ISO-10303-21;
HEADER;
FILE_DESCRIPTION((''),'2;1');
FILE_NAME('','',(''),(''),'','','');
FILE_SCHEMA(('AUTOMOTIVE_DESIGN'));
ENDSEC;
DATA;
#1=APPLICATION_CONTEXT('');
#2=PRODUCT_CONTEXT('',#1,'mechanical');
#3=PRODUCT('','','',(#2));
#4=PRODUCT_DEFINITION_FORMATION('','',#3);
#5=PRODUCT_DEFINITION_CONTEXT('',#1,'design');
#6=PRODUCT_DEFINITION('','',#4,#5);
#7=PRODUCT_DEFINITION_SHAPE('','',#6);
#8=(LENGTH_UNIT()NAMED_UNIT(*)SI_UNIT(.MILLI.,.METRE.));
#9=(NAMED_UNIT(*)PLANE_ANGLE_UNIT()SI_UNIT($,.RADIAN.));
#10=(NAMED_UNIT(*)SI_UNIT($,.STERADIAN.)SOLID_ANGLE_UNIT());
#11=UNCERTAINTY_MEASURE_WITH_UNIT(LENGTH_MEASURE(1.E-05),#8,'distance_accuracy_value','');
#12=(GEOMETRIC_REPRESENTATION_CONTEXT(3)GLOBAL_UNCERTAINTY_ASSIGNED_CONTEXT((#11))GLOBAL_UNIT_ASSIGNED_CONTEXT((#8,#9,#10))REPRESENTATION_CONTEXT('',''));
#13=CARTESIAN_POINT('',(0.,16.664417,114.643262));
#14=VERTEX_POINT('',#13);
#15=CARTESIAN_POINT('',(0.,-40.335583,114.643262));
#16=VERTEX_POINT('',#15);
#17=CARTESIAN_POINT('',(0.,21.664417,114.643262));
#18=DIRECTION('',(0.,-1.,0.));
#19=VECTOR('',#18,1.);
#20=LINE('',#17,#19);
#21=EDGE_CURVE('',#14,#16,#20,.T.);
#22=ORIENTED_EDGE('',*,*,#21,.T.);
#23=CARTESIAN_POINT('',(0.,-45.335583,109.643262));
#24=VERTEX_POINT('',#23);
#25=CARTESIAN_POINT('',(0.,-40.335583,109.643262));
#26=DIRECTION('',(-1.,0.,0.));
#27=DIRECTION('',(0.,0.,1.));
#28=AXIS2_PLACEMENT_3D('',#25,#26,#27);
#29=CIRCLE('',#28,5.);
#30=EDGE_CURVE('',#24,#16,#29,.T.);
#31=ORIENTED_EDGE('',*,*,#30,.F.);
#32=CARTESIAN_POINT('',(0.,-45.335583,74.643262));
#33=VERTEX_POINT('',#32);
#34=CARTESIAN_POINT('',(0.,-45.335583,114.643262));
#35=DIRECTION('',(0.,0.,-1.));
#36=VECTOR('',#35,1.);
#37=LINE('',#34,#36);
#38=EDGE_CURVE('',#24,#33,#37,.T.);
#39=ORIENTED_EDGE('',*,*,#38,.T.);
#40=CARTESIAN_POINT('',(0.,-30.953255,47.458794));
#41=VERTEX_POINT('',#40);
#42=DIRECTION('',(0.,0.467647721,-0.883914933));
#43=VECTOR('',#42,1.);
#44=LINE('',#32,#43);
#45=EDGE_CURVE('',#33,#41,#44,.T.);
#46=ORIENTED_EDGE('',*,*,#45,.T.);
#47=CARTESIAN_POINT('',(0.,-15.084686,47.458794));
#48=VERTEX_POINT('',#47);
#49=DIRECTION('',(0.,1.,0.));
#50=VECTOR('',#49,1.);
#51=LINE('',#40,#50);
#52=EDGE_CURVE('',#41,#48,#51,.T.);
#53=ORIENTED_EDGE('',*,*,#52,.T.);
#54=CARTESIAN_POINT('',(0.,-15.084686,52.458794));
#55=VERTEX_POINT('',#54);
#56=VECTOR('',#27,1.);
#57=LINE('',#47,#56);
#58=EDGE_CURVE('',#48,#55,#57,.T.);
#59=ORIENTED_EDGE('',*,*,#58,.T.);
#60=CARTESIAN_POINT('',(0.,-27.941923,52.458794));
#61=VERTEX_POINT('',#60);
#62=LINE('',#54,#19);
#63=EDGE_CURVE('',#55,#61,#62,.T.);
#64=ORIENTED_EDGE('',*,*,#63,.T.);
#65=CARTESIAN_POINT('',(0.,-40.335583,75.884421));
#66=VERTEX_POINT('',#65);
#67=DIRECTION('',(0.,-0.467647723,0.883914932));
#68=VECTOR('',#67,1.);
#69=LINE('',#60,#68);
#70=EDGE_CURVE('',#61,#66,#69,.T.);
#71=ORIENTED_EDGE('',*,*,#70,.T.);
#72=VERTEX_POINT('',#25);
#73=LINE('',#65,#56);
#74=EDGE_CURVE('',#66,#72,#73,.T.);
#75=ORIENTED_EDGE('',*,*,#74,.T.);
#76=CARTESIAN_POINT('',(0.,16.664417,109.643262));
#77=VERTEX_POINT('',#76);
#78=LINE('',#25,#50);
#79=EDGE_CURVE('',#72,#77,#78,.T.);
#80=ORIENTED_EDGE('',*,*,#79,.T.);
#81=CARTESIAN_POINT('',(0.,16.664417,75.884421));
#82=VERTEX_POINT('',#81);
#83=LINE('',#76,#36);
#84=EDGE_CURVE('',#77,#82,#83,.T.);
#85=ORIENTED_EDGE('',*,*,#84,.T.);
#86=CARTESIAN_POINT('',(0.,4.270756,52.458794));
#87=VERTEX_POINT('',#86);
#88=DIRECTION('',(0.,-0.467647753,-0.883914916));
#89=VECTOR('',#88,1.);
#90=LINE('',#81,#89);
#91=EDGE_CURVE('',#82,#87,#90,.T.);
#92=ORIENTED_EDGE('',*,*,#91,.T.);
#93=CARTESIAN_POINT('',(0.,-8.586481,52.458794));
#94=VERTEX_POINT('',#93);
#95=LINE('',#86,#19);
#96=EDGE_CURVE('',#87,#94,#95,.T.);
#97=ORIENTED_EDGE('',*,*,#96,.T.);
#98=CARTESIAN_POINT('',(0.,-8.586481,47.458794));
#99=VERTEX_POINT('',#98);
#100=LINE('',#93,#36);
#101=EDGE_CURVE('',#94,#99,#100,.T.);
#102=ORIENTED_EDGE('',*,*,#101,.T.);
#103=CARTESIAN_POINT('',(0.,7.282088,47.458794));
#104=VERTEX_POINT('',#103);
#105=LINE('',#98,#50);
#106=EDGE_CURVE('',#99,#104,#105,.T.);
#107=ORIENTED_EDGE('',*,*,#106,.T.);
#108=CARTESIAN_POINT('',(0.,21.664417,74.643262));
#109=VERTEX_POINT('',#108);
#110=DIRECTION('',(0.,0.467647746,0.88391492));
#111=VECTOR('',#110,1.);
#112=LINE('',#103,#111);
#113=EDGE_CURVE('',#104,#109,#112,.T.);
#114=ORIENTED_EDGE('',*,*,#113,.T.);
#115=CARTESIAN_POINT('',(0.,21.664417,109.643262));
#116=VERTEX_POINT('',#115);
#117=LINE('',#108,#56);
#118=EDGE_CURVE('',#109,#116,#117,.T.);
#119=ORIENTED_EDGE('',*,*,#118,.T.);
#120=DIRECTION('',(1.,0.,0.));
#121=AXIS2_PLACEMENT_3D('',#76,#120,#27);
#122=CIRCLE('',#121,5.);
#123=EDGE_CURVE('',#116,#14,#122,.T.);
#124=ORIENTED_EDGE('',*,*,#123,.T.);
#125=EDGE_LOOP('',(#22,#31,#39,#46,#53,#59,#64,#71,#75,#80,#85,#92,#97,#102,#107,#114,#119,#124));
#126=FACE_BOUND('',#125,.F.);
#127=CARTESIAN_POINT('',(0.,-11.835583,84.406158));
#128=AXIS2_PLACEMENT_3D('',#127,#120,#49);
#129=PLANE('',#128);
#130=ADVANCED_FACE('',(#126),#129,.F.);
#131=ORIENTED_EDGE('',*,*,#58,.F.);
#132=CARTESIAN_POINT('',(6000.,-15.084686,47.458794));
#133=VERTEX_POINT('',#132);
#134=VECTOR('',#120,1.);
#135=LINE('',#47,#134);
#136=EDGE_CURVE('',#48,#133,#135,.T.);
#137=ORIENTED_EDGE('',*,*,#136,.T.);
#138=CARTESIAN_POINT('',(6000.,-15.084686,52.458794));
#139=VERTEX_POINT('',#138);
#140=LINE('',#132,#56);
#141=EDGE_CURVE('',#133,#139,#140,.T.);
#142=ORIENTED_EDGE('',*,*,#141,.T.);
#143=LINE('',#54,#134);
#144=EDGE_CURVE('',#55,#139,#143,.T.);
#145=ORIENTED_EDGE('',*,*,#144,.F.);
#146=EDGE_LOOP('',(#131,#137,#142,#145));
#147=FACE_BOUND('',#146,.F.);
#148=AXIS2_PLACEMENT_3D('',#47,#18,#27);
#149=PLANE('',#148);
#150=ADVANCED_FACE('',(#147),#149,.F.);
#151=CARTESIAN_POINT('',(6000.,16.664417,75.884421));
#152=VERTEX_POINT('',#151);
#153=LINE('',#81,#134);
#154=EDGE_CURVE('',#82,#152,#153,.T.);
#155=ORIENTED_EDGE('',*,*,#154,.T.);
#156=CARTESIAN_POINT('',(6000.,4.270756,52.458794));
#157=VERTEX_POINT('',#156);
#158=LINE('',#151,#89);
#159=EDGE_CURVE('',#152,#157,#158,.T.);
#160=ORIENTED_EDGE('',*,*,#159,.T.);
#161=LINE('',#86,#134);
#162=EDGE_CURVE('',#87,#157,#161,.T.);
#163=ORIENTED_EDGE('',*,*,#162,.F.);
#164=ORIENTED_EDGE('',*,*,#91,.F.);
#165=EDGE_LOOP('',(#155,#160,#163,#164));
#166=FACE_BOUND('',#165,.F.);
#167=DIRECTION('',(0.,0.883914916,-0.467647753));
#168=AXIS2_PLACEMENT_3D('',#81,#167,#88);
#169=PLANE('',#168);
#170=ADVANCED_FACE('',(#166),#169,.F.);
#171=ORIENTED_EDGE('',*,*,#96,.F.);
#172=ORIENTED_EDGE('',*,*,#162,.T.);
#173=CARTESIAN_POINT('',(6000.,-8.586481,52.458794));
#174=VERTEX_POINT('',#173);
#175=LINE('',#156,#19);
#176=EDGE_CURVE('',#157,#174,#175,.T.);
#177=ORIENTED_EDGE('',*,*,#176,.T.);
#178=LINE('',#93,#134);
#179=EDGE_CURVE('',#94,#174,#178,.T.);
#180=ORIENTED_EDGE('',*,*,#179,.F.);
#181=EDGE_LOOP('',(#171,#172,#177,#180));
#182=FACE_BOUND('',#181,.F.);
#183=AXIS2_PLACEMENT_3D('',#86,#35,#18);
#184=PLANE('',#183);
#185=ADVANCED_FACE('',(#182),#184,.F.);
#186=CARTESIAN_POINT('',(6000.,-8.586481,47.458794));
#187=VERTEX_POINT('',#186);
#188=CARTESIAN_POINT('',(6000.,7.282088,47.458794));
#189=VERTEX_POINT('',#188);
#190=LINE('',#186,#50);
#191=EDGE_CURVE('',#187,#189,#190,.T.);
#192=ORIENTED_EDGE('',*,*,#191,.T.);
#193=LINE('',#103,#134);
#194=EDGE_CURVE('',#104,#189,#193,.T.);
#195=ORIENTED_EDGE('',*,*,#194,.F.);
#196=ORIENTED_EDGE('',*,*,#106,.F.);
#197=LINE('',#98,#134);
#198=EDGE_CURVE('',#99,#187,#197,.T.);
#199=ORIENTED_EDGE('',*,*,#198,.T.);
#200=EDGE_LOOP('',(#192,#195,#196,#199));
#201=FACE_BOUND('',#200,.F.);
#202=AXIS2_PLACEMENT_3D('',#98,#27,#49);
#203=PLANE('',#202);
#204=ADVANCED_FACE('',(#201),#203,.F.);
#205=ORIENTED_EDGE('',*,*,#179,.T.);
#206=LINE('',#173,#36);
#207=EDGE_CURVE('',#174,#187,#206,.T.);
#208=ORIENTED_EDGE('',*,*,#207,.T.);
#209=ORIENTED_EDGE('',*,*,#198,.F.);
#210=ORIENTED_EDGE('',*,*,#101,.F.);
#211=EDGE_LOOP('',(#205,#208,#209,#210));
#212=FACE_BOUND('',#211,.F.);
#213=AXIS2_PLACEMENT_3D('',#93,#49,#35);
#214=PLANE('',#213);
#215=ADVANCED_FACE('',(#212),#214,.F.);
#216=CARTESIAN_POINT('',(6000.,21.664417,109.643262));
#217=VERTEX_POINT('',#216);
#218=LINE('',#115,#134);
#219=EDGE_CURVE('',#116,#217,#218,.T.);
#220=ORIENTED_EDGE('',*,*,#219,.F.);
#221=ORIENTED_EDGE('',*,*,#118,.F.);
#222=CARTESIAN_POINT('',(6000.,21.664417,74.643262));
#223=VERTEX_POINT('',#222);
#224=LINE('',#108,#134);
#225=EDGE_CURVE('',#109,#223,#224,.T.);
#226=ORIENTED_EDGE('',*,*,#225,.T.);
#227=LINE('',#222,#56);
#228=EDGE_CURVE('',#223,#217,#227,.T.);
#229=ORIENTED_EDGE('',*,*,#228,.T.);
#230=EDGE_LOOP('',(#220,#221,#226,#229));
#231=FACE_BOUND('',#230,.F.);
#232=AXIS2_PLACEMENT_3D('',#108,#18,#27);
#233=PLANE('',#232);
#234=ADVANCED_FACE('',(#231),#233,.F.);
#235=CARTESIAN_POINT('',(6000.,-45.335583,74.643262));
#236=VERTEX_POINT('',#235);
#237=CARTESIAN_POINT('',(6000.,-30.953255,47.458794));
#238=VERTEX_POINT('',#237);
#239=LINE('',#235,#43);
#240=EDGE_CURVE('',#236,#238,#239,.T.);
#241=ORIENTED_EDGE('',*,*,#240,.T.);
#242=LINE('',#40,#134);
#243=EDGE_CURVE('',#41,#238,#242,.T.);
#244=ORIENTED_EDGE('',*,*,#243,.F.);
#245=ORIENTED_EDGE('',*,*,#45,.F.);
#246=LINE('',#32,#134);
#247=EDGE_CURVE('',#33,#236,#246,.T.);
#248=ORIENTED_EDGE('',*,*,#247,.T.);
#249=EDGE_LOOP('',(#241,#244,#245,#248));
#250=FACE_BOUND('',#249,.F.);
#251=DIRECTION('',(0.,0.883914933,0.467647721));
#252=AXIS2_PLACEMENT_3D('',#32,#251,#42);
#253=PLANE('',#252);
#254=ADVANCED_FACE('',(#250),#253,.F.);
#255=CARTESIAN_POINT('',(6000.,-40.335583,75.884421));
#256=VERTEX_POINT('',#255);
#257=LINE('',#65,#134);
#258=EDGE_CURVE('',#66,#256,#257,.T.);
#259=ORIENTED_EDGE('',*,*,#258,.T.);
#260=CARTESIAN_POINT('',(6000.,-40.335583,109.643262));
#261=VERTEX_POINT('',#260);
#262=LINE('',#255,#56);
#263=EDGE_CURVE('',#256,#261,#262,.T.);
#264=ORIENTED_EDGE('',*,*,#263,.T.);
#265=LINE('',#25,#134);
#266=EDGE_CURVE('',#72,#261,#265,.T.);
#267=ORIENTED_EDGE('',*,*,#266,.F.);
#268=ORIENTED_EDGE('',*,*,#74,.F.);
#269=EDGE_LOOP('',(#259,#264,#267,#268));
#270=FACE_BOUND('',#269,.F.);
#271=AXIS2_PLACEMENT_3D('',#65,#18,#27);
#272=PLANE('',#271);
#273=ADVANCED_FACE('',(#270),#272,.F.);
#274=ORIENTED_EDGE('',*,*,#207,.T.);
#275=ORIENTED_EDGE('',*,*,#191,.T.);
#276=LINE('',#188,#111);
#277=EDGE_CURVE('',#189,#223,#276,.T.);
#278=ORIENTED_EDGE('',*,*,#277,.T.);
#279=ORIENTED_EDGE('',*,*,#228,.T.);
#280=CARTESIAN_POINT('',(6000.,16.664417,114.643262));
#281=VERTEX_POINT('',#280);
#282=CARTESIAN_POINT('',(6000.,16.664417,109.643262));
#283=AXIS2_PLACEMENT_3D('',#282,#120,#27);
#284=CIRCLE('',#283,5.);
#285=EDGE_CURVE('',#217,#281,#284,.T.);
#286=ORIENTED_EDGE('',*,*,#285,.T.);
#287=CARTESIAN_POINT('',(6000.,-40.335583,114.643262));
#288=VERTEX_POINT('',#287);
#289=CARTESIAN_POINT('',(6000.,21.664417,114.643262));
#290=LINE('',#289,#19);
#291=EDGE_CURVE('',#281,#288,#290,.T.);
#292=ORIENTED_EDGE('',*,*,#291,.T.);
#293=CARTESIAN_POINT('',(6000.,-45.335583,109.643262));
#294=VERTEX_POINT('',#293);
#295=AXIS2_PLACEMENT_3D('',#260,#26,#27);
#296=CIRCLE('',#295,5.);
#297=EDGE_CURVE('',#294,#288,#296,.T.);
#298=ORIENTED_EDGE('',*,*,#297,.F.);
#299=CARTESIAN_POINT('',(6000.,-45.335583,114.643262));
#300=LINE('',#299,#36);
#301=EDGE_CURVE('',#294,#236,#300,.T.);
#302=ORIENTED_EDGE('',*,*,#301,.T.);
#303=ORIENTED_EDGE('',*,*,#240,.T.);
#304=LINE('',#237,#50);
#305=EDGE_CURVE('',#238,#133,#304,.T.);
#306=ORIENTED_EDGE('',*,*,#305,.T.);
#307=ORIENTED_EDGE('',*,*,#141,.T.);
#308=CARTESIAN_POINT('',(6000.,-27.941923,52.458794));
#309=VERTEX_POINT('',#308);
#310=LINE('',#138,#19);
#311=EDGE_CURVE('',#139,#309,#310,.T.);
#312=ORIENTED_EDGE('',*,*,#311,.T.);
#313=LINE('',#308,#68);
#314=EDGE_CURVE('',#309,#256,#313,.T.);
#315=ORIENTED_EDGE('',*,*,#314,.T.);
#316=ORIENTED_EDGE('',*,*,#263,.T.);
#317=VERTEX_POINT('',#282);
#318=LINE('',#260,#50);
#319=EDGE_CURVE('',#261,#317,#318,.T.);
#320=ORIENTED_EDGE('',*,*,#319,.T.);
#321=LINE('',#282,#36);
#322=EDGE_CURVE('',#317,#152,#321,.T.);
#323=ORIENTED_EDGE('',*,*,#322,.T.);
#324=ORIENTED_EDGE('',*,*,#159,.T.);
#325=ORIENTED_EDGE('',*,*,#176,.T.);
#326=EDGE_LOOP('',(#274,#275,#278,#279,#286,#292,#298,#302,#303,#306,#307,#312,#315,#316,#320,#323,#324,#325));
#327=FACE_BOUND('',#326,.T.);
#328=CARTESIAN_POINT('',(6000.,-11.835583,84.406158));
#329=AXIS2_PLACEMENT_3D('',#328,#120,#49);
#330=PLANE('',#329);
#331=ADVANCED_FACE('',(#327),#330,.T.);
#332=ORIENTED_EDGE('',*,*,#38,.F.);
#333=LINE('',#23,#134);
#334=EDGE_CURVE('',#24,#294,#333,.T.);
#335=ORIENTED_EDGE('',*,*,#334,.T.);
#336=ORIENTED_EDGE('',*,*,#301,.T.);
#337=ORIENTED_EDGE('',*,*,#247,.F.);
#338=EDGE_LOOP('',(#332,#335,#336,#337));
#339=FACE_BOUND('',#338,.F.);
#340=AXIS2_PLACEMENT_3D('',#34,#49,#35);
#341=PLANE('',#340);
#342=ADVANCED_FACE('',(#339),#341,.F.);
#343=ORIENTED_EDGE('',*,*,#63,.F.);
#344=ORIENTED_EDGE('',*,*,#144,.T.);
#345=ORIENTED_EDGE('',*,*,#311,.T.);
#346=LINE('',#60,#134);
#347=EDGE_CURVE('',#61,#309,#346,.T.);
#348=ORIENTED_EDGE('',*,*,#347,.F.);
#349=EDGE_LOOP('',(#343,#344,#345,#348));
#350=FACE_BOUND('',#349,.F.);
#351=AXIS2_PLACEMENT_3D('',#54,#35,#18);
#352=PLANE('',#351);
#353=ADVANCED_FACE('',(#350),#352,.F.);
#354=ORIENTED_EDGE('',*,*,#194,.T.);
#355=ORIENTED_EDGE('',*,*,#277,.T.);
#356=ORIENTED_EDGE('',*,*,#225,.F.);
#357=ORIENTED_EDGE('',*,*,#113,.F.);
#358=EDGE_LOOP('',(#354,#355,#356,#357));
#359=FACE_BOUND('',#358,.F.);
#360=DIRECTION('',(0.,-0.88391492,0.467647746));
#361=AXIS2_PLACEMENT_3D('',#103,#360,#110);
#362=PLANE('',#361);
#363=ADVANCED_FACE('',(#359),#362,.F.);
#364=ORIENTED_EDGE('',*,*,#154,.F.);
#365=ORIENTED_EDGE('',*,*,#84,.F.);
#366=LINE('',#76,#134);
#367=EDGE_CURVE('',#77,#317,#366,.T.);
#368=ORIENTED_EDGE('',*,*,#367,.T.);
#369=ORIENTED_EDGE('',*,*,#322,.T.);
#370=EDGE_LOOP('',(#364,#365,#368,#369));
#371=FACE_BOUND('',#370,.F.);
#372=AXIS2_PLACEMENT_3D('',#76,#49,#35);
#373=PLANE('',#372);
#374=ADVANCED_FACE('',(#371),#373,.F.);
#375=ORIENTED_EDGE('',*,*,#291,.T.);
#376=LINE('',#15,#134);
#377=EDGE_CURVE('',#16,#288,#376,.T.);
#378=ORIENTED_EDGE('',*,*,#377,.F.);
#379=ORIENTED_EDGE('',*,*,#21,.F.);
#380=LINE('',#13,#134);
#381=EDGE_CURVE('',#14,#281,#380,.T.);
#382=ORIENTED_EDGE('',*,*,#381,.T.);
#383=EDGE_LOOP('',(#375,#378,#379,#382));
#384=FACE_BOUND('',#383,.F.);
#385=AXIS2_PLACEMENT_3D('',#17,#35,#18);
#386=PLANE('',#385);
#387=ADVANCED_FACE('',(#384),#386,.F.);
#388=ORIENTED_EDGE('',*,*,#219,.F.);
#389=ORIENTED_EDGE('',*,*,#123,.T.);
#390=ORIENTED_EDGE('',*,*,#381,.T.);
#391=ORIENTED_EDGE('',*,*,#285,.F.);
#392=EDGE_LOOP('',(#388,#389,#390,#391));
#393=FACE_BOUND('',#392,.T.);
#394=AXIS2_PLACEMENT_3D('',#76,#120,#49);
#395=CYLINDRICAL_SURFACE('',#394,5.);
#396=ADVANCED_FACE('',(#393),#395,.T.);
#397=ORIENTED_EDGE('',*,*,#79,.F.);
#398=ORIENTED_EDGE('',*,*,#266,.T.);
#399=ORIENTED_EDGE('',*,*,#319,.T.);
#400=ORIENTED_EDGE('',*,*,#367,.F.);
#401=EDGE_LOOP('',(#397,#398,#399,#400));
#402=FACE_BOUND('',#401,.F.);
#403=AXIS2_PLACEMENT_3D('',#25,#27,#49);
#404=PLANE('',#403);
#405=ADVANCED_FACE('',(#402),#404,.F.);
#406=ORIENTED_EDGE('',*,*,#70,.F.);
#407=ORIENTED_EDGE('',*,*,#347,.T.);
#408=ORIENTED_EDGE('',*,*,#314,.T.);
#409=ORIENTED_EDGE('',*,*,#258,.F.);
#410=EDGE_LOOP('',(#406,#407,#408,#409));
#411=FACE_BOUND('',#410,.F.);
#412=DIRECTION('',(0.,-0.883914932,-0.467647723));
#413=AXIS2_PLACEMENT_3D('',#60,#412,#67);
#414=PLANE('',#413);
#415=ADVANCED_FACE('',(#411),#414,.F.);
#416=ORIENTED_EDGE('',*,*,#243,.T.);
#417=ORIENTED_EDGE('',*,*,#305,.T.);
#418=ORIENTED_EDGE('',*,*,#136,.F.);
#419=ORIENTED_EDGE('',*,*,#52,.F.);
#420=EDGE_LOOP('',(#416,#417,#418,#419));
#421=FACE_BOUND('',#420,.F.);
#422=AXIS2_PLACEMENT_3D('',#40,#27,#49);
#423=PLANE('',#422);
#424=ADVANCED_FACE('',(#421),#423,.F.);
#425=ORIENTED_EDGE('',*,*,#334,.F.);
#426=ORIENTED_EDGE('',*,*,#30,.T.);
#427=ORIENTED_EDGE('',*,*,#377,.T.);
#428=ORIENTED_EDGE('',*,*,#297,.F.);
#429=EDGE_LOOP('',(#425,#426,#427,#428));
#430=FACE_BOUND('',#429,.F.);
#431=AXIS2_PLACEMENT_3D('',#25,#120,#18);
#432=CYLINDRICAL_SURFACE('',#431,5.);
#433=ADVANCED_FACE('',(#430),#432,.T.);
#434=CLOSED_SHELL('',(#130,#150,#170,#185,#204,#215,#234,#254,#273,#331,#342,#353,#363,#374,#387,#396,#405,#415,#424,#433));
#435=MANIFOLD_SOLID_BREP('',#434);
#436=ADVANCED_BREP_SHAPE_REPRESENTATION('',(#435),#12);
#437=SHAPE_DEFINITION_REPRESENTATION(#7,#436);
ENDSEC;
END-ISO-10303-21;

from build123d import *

# Parameters (mm, degrees)
F1_DEPTH = 6000
F2_R     = 5


with BuildPart() as f1:
    # F0 (on Right) → F1 (new body)
    with BuildSketch(Plane.YZ):
        Polygon((-45.335583, 114.643262), (-45.335583, 74.643262), (-30.953255, 47.458794), (-15.084686, 47.458794), (-15.084686, 52.458794), (-27.941923, 52.458794), (-40.335583, 75.884421), (-40.335583, 109.643262), (16.664417, 109.643262), (16.664417, 75.884421), (4.270756, 52.458794), (-8.586481, 52.458794), (-8.586481, 47.458794), (7.282088, 47.458794), (21.664417, 74.643262), (21.664417, 114.643262), align=None)
    extrude(amount=F1_DEPTH)

    # F2
    f2_edges = [f1.edges().sort_by_distance(p)[0] for p in [
        (3000, 21.664417, 114.643262),
        (3000, -45.335583, 114.643262),
    ]]
    fillet(f2_edges, radius=F2_R)


solid = f1.part
